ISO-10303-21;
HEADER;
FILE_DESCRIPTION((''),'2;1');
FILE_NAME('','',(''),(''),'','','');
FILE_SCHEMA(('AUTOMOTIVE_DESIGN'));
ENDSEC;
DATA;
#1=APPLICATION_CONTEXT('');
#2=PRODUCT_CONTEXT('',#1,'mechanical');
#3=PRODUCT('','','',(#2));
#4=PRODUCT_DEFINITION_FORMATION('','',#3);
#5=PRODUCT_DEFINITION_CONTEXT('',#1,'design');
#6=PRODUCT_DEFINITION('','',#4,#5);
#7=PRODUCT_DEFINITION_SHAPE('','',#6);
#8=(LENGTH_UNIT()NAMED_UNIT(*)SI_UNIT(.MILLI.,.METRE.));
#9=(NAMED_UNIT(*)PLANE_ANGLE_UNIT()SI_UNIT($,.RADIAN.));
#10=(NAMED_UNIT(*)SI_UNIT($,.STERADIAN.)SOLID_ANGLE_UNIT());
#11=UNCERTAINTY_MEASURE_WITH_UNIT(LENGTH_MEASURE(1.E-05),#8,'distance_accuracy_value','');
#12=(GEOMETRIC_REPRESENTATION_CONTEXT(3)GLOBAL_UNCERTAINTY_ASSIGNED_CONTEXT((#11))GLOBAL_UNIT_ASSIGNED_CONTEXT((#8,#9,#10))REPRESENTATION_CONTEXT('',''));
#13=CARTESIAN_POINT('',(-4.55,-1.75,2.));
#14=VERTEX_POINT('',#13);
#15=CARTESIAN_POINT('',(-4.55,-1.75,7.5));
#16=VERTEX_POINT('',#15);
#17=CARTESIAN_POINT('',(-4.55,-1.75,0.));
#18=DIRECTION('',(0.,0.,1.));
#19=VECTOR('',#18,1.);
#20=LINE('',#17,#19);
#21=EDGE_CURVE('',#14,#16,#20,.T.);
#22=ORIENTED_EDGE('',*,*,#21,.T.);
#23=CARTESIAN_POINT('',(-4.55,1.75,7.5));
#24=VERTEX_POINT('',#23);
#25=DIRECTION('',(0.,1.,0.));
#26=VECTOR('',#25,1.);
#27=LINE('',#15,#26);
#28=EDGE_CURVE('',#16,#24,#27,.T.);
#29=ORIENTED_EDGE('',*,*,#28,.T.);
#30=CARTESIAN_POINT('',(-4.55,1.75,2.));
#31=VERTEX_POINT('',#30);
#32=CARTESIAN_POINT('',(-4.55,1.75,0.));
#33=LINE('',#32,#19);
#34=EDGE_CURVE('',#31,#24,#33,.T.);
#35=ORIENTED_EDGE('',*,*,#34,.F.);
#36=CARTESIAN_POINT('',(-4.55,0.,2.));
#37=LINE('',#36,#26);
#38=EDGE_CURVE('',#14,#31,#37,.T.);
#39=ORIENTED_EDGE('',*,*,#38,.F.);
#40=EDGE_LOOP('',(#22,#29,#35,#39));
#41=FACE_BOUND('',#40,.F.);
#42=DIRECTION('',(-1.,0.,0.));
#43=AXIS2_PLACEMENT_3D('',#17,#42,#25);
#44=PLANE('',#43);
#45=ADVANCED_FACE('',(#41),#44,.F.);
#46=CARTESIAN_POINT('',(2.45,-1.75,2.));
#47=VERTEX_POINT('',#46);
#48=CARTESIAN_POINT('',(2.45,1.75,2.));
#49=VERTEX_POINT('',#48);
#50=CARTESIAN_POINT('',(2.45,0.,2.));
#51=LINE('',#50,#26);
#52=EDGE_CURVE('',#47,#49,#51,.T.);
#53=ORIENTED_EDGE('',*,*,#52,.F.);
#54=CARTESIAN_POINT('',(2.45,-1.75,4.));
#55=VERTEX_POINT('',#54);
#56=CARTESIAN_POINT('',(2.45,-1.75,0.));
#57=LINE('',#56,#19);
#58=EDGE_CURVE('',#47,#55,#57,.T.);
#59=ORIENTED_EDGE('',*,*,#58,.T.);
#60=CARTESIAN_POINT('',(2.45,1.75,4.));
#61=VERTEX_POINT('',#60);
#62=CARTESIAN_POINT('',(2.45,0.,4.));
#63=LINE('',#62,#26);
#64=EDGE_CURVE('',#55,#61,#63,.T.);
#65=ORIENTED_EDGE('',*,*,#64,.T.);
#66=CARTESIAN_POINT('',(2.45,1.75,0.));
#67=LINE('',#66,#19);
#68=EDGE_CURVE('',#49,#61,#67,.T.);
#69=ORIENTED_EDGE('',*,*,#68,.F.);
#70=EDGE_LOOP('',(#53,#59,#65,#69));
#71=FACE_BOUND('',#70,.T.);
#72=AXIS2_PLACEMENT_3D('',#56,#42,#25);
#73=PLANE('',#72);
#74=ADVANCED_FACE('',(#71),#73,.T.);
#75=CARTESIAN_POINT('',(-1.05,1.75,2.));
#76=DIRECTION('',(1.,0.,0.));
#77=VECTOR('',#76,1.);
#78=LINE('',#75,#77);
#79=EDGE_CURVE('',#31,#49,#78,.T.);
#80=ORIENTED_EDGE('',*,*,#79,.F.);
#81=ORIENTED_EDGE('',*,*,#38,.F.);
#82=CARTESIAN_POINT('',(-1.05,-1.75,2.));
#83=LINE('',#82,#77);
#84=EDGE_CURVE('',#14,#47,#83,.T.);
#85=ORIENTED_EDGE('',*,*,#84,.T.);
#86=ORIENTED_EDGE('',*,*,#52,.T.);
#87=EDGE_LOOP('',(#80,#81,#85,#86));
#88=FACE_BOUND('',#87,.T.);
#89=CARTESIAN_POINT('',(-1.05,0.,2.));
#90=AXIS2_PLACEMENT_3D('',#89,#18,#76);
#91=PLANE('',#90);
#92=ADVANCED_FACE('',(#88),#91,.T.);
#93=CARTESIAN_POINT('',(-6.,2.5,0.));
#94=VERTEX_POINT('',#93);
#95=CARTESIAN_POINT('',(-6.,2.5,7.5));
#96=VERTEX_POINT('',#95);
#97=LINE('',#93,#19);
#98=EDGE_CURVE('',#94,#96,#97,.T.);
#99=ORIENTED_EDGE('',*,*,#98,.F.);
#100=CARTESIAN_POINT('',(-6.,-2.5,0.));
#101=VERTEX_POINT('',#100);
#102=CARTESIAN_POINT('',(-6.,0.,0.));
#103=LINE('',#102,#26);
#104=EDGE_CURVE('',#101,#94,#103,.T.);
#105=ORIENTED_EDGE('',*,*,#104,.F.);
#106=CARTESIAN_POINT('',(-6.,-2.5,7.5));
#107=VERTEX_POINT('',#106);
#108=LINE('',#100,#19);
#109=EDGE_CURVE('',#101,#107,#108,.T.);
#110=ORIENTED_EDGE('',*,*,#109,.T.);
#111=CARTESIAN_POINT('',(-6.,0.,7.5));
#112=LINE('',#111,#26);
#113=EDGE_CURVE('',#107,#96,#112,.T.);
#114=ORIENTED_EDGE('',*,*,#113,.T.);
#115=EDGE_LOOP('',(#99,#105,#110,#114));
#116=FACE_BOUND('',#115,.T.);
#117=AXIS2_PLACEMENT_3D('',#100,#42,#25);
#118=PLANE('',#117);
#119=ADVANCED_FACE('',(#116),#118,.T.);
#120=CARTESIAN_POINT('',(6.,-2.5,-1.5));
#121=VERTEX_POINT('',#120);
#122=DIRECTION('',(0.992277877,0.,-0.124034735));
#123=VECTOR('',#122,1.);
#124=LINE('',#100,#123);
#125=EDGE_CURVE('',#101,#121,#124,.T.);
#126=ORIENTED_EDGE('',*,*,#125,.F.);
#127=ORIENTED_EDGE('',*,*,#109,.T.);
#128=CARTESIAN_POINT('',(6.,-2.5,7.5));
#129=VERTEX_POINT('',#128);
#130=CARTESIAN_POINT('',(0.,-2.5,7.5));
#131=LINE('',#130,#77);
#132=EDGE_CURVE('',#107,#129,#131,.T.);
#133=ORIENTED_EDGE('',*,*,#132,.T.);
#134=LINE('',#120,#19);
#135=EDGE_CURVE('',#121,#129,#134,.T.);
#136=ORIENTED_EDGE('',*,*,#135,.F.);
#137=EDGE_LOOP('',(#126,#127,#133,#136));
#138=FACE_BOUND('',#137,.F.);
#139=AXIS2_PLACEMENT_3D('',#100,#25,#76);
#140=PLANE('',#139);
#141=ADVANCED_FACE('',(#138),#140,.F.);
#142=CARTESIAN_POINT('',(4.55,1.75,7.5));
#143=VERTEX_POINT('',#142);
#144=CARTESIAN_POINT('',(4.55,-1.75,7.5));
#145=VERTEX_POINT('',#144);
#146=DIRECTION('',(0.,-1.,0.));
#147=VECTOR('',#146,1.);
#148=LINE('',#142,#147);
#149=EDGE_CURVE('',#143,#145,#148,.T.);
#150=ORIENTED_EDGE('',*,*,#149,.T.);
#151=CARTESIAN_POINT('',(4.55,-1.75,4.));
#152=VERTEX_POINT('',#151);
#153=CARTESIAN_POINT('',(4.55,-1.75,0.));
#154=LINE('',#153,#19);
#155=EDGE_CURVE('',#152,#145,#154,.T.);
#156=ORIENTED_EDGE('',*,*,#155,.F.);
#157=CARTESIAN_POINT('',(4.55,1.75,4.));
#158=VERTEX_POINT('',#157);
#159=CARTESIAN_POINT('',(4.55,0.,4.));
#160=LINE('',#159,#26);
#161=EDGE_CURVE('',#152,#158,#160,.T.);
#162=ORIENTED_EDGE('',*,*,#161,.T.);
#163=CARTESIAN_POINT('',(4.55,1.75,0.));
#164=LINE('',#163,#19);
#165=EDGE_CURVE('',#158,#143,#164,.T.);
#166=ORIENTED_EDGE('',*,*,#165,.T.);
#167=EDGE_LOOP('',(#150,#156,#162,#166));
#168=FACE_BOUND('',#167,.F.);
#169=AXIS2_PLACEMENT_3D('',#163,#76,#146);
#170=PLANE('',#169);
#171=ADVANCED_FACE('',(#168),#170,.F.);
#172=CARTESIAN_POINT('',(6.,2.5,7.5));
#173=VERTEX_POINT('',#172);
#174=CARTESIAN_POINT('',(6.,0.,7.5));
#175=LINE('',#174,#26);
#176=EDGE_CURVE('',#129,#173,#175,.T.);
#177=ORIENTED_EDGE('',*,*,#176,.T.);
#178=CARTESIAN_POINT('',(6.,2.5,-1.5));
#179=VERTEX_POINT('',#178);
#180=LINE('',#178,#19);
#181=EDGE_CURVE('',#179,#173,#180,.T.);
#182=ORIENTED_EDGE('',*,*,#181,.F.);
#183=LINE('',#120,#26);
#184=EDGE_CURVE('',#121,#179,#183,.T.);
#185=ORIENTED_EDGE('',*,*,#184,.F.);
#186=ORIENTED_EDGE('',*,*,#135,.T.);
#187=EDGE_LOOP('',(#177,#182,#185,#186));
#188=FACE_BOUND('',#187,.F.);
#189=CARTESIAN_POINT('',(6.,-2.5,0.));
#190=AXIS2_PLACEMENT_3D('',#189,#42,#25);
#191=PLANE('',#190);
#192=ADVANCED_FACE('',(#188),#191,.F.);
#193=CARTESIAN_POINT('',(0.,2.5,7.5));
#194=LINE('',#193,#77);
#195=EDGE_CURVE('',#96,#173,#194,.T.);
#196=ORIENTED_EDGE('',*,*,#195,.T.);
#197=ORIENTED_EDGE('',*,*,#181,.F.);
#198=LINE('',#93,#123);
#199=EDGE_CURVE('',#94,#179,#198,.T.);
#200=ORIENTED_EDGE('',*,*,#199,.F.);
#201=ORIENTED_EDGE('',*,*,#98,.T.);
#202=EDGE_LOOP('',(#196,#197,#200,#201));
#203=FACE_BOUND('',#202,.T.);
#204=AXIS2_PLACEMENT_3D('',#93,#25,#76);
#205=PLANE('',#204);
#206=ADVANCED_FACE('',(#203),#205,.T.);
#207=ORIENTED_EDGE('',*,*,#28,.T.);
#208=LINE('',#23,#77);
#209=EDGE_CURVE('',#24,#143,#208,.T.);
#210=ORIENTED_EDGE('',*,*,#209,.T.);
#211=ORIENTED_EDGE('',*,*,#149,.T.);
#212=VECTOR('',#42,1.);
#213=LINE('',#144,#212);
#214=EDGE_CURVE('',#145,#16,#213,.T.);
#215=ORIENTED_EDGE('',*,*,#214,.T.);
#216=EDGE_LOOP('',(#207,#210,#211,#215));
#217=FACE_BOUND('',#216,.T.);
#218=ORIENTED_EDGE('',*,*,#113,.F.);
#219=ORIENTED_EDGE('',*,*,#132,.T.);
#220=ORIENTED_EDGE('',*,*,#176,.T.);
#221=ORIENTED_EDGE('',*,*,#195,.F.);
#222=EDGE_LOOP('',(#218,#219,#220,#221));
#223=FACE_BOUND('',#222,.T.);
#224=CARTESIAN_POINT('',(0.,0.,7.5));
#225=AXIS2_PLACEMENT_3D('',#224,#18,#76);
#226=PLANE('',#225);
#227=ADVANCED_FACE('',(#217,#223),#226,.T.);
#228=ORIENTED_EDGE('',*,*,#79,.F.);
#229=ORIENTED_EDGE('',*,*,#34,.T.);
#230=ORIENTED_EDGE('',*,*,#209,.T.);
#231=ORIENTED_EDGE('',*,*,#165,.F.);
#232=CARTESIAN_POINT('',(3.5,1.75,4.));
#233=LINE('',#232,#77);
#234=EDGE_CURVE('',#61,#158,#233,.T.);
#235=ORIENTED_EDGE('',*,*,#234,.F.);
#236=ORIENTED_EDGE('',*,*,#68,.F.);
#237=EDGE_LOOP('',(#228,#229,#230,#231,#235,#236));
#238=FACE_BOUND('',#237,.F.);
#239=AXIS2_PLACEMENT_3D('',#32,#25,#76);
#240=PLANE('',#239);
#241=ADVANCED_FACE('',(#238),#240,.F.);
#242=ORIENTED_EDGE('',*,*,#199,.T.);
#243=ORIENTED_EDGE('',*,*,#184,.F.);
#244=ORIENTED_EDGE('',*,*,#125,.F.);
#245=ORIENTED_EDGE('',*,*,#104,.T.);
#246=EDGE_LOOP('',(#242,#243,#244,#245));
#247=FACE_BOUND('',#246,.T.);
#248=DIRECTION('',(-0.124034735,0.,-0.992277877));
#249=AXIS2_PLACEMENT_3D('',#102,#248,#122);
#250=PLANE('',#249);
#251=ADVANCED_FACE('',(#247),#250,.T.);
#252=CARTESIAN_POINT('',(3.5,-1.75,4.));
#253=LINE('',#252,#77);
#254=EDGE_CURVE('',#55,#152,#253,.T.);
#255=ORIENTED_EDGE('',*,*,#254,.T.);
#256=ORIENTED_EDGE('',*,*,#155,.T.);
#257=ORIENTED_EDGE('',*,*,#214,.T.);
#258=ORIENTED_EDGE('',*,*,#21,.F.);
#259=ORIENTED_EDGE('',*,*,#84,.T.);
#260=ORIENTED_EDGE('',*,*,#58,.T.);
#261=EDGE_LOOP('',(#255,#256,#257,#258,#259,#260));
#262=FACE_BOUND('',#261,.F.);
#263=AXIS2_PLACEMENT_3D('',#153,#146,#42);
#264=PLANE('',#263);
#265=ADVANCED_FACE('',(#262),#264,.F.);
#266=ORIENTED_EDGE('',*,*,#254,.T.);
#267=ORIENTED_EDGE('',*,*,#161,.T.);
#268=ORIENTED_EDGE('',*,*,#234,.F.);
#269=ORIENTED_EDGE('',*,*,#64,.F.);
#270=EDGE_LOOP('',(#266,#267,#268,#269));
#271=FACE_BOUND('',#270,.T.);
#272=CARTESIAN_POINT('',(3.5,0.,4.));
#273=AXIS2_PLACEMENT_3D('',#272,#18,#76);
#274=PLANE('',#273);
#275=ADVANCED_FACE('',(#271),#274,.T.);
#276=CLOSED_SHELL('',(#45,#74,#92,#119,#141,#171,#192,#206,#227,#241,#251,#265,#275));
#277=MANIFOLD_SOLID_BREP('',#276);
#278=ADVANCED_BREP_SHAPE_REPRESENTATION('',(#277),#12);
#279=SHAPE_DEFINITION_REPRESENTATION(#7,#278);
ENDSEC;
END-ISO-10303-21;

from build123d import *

# Parameters (mm, degrees)
F0_W     = 7
F0_H     = 3.5
F1_DEPTH = 2
F0_W_2   = 12
F0_H_2   = 5
F2_DEPTH = 7.5
F4_DEPTH = 2.5
F0_W_3   = 2.1
F5_DEPTH = 4


with BuildPart() as f1:
    # F0 (on Top) → F1 (new body)
    with BuildSketch(Plane.XY):
        with Locations((-1.05, 0)):
            Rectangle(F0_W, F0_H)
    extrude(amount=F1_DEPTH)

    # F0 (on Top) → F2 (join)
    with BuildSketch(Plane.XY):
        Rectangle(F0_W_2, F0_H_2)
        Polygon((2.45, 1.75), (4.55, 1.75), (4.55, -1.75), (2.45, -1.75), (-4.55, -1.75), (-4.55, 1.75), align=None, mode=Mode.SUBTRACT)
    extrude(amount=F2_DEPTH)

    # F3 (on Front) → F4 (join, symmetric)
    with BuildSketch(Plane.XZ):
        Polygon((6, 0), (-6, 0), (6, -1.5), align=None)
    extrude(amount=F4_DEPTH, both=True)

    # F0 (on Top) → F5 (join)
    with BuildSketch(Plane.XY):
        with Locations((3.5, 0)):
            Rectangle(F0_W_3, F0_H)
    extrude(amount=F5_DEPTH)


solid = f1.part
